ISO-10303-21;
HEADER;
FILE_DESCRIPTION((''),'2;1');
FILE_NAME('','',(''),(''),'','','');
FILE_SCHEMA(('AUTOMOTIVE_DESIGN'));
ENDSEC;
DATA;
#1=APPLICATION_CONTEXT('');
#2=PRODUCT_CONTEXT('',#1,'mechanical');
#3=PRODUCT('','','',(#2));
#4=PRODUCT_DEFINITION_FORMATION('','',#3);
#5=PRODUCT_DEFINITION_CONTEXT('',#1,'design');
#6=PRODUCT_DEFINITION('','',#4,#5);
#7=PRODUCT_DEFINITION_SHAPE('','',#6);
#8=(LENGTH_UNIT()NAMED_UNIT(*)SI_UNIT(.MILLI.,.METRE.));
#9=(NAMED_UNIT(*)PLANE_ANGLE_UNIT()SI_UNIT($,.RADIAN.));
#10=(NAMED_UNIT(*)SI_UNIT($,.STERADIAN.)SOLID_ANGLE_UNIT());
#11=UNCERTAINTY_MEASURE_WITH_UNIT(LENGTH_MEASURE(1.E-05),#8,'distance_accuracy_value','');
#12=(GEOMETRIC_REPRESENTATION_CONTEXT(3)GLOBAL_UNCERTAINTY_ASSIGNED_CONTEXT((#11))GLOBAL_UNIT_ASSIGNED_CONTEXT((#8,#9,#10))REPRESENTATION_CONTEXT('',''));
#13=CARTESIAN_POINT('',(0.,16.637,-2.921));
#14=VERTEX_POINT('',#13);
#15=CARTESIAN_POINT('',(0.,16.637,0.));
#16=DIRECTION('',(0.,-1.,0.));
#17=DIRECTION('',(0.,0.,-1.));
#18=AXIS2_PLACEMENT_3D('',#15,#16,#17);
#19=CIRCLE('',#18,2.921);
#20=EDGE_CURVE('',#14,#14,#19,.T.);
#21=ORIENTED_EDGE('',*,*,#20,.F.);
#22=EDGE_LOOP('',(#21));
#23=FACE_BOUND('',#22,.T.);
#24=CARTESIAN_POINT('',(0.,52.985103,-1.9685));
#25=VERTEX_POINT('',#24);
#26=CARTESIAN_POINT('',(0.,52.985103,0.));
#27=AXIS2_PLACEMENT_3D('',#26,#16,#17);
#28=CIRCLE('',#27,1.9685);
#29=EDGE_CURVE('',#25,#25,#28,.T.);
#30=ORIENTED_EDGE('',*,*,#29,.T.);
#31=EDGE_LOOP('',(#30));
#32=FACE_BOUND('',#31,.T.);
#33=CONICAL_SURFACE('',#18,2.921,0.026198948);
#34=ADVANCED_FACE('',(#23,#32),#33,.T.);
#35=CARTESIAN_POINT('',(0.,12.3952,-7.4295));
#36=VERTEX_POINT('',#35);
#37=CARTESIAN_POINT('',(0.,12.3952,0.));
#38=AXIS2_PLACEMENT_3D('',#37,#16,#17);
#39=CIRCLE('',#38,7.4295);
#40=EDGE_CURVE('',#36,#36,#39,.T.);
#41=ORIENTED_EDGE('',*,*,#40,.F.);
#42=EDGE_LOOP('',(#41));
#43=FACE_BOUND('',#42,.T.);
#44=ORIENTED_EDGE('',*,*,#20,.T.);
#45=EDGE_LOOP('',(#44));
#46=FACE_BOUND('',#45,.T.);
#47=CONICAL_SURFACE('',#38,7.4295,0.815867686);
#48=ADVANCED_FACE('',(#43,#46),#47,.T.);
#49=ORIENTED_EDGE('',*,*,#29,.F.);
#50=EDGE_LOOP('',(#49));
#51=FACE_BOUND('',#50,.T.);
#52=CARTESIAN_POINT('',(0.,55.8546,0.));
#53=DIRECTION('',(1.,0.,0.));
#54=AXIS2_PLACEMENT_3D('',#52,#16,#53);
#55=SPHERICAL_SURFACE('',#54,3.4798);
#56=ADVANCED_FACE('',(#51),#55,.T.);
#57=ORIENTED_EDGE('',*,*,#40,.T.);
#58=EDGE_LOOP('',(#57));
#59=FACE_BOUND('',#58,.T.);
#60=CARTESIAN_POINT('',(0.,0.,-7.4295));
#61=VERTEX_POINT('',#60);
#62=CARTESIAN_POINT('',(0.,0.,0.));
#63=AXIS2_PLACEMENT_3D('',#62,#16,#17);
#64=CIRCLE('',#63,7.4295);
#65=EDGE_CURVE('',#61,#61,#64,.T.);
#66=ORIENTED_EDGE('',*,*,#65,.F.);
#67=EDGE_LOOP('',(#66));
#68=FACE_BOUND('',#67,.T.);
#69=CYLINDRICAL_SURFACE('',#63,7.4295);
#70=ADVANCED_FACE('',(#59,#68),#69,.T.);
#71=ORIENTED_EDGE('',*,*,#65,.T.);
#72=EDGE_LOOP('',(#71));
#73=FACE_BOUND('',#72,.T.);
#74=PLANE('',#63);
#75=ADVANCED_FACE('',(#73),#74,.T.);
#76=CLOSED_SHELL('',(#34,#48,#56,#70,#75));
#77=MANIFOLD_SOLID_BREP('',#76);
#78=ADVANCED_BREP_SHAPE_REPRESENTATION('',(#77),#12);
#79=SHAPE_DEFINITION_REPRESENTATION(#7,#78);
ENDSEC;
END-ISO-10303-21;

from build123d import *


with BuildPart() as part:
    # Sketch1 → Revolve1 (revolve)
    with BuildSketch(Plane.XY, mode=Mode.PRIVATE) as revolve1_sk:
        with BuildLine():
            Line((0, 0), (7.4295, 0))
            Line((7.4295, 0), (7.4295, 12.3952))
            Line((7.4295, 12.3952), (2.921, 16.637))
            Line((2.921, 16.637), (1.9685, 52.98510252))
            ThreePointArc((1.9685, 52.98510252), (3.323724219, 56.885068512), (0, 59.3344))
            Line((0, 59.3344), (0, 0))
        make_face()
    revolve(revolve1_sk.sketch.rotate(Axis((0, 0, 0), (0, 1, 0)), 90), axis=Axis((0, 0, 0), (0, 1, 0)))


solid = part.part
